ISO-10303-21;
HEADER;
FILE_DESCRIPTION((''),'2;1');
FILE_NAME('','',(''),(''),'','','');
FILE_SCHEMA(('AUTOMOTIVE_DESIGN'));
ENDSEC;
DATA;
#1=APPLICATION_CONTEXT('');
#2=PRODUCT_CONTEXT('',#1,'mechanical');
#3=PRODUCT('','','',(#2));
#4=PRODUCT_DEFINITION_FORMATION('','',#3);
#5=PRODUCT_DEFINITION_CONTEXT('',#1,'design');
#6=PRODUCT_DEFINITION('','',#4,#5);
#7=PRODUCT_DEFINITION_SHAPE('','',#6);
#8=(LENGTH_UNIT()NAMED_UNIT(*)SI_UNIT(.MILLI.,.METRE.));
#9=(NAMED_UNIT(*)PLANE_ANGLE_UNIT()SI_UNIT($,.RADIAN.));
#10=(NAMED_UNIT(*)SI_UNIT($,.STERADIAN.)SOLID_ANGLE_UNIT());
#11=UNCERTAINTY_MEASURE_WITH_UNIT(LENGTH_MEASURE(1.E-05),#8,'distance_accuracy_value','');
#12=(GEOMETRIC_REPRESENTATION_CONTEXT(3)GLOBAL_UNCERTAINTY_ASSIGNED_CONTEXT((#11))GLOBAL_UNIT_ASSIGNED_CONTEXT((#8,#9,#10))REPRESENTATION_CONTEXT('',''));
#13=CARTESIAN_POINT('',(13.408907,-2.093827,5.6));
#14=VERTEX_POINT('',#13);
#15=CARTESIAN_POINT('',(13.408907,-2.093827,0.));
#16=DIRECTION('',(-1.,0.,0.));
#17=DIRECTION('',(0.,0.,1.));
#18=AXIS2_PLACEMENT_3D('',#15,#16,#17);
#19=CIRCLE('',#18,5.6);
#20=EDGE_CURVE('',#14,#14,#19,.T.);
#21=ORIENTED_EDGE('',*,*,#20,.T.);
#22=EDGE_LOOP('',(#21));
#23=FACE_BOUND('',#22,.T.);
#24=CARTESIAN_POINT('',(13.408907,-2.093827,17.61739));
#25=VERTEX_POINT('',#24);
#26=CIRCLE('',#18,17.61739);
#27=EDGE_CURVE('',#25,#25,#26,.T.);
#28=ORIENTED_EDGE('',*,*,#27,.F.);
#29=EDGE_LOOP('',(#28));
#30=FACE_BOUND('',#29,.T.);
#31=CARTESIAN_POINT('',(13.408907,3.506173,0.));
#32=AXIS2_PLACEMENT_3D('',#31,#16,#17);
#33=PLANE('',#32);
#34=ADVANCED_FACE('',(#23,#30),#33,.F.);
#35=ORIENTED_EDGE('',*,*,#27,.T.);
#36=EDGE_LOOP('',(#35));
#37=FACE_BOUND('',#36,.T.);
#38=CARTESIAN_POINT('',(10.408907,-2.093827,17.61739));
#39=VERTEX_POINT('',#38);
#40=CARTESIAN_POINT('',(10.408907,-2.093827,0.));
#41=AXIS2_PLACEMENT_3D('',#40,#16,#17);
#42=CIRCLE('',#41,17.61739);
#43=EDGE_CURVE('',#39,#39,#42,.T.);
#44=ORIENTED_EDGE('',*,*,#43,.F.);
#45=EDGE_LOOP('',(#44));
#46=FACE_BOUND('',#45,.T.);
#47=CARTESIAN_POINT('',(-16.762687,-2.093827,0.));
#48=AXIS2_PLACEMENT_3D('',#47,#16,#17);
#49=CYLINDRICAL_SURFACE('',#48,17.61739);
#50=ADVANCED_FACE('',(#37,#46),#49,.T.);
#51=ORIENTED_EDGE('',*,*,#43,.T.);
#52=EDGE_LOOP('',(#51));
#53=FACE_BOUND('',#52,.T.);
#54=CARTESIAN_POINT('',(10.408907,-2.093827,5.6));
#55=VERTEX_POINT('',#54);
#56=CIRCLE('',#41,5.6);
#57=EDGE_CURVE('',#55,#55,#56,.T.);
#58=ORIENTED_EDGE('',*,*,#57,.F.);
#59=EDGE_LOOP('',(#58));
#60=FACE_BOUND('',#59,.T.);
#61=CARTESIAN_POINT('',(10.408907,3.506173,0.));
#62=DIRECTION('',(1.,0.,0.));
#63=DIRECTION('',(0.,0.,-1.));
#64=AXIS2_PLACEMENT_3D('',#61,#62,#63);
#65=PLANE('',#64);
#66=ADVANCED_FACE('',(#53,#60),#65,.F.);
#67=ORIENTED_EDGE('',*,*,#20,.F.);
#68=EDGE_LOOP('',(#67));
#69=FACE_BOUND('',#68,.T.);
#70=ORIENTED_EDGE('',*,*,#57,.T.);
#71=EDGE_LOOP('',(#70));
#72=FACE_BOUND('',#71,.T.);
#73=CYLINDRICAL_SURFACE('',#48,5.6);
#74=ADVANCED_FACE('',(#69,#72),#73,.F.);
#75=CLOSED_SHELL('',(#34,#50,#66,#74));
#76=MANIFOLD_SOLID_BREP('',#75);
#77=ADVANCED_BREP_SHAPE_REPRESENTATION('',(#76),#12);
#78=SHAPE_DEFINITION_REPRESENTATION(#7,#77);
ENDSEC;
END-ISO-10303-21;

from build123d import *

# Parameters (mm, degrees)
SKETCH1_W = 3
SKETCH1_H = 12.017390092


with BuildPart() as part:
    # Sketch1 → Revolve1 (revolve)
    with BuildSketch(Plane.XY):
        with Locations((11.908906872, 9.514867924)):
            Rectangle(SKETCH1_W, SKETCH1_H)
    revolve(axis=Axis((-16.762687395, -2.093827122, 0), (1, 0, 0)))


solid = part.part
